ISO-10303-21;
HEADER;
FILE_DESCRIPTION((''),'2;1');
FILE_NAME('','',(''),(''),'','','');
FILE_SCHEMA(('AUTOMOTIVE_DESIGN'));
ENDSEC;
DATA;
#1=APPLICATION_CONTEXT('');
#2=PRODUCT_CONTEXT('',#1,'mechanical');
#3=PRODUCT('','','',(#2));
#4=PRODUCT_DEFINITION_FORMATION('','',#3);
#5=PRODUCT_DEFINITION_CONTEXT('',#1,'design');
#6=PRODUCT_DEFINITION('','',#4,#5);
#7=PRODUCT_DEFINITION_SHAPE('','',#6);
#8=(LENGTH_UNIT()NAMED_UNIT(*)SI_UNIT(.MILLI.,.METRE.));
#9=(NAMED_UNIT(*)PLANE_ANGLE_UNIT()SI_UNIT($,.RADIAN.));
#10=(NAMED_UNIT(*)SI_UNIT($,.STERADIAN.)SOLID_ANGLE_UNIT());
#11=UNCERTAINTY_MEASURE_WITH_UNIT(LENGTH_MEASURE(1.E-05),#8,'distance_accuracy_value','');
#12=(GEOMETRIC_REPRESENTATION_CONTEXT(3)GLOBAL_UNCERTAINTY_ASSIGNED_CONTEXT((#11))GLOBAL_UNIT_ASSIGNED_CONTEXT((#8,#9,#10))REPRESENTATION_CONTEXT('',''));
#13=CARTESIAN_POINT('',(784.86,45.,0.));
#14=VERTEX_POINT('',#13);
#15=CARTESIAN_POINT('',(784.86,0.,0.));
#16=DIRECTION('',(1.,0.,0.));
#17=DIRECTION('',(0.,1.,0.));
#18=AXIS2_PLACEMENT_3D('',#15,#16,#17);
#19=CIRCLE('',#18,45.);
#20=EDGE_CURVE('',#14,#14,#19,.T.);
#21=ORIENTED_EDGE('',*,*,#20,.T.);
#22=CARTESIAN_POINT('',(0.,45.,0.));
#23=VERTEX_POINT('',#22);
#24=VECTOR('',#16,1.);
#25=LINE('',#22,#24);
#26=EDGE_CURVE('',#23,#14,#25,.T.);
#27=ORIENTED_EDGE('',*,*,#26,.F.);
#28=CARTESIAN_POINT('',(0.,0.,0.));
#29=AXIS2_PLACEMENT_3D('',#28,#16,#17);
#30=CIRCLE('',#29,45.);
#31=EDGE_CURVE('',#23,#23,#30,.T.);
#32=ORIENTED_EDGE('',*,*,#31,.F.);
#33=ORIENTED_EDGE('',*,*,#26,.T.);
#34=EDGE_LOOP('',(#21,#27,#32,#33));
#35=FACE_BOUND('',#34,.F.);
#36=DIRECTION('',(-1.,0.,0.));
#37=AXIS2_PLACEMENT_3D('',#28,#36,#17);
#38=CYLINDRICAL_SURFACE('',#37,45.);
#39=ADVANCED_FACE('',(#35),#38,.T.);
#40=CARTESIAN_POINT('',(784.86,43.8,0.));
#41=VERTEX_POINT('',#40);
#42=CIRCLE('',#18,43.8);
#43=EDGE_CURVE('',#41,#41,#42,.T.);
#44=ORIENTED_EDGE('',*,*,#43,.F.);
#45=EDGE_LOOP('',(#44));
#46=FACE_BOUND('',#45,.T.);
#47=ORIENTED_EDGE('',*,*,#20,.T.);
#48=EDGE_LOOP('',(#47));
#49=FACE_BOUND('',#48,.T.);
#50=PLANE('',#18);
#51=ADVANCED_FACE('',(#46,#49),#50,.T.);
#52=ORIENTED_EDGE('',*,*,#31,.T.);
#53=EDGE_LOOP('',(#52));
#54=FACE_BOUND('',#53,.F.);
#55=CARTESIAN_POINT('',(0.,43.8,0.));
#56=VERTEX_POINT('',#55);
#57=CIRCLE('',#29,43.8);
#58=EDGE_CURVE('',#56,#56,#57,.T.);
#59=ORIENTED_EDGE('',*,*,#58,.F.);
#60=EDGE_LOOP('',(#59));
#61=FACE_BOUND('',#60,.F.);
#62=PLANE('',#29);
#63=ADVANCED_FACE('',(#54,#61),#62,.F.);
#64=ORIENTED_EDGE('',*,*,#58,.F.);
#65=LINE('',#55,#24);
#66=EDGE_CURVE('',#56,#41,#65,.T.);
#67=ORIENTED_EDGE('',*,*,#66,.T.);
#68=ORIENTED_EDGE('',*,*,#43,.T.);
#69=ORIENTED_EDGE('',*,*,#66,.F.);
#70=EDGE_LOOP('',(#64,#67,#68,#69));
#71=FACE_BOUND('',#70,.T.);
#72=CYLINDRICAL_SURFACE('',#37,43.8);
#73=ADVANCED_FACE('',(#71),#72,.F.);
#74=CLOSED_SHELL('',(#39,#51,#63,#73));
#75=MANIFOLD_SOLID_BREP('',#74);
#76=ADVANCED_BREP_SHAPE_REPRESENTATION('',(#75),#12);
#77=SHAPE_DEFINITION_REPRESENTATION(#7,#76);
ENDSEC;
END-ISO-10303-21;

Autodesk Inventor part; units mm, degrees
ref_plane "YZ Plane" through (0, 0, 0) normal (1, 0, 0) x (0, 1, 0)
ref_plane "XZ Plane" through (0, 0, 0) normal (0, 1, 0) x (-1, 0, 0)
ref_plane "XY Plane" through (0, 0, 0) normal (0, 0, 1) x (1, 0, 0)
sketch "Sketch1" plane through (0, 0, 0) normal (1, 0, 0) x (0, 1, 0)
  circle A0 centre (0, 0) radius 45
  circle A1 centre (0, 0) radius 43.8
  dimension "d0" = 90
  dimension "d1" = 1.2
extrude "Extrusion1" add sketch "Sketch1" along normal blind 784.86
equation "\"d0\" = OD"
equation "\"d1\" = t"
equation "\"d2\" = L"
equation "\"OD\" = 90"
equation "\"t\" = 1.2"
equation "\"L\" = PL"
equation "\"ID\" = 87.6"
equation "\"PL\" = 784.86"
properties part number "ISO 4065 Pipe DN90x1.2xS40 - 797.56000000" material "PVC-Piping"
